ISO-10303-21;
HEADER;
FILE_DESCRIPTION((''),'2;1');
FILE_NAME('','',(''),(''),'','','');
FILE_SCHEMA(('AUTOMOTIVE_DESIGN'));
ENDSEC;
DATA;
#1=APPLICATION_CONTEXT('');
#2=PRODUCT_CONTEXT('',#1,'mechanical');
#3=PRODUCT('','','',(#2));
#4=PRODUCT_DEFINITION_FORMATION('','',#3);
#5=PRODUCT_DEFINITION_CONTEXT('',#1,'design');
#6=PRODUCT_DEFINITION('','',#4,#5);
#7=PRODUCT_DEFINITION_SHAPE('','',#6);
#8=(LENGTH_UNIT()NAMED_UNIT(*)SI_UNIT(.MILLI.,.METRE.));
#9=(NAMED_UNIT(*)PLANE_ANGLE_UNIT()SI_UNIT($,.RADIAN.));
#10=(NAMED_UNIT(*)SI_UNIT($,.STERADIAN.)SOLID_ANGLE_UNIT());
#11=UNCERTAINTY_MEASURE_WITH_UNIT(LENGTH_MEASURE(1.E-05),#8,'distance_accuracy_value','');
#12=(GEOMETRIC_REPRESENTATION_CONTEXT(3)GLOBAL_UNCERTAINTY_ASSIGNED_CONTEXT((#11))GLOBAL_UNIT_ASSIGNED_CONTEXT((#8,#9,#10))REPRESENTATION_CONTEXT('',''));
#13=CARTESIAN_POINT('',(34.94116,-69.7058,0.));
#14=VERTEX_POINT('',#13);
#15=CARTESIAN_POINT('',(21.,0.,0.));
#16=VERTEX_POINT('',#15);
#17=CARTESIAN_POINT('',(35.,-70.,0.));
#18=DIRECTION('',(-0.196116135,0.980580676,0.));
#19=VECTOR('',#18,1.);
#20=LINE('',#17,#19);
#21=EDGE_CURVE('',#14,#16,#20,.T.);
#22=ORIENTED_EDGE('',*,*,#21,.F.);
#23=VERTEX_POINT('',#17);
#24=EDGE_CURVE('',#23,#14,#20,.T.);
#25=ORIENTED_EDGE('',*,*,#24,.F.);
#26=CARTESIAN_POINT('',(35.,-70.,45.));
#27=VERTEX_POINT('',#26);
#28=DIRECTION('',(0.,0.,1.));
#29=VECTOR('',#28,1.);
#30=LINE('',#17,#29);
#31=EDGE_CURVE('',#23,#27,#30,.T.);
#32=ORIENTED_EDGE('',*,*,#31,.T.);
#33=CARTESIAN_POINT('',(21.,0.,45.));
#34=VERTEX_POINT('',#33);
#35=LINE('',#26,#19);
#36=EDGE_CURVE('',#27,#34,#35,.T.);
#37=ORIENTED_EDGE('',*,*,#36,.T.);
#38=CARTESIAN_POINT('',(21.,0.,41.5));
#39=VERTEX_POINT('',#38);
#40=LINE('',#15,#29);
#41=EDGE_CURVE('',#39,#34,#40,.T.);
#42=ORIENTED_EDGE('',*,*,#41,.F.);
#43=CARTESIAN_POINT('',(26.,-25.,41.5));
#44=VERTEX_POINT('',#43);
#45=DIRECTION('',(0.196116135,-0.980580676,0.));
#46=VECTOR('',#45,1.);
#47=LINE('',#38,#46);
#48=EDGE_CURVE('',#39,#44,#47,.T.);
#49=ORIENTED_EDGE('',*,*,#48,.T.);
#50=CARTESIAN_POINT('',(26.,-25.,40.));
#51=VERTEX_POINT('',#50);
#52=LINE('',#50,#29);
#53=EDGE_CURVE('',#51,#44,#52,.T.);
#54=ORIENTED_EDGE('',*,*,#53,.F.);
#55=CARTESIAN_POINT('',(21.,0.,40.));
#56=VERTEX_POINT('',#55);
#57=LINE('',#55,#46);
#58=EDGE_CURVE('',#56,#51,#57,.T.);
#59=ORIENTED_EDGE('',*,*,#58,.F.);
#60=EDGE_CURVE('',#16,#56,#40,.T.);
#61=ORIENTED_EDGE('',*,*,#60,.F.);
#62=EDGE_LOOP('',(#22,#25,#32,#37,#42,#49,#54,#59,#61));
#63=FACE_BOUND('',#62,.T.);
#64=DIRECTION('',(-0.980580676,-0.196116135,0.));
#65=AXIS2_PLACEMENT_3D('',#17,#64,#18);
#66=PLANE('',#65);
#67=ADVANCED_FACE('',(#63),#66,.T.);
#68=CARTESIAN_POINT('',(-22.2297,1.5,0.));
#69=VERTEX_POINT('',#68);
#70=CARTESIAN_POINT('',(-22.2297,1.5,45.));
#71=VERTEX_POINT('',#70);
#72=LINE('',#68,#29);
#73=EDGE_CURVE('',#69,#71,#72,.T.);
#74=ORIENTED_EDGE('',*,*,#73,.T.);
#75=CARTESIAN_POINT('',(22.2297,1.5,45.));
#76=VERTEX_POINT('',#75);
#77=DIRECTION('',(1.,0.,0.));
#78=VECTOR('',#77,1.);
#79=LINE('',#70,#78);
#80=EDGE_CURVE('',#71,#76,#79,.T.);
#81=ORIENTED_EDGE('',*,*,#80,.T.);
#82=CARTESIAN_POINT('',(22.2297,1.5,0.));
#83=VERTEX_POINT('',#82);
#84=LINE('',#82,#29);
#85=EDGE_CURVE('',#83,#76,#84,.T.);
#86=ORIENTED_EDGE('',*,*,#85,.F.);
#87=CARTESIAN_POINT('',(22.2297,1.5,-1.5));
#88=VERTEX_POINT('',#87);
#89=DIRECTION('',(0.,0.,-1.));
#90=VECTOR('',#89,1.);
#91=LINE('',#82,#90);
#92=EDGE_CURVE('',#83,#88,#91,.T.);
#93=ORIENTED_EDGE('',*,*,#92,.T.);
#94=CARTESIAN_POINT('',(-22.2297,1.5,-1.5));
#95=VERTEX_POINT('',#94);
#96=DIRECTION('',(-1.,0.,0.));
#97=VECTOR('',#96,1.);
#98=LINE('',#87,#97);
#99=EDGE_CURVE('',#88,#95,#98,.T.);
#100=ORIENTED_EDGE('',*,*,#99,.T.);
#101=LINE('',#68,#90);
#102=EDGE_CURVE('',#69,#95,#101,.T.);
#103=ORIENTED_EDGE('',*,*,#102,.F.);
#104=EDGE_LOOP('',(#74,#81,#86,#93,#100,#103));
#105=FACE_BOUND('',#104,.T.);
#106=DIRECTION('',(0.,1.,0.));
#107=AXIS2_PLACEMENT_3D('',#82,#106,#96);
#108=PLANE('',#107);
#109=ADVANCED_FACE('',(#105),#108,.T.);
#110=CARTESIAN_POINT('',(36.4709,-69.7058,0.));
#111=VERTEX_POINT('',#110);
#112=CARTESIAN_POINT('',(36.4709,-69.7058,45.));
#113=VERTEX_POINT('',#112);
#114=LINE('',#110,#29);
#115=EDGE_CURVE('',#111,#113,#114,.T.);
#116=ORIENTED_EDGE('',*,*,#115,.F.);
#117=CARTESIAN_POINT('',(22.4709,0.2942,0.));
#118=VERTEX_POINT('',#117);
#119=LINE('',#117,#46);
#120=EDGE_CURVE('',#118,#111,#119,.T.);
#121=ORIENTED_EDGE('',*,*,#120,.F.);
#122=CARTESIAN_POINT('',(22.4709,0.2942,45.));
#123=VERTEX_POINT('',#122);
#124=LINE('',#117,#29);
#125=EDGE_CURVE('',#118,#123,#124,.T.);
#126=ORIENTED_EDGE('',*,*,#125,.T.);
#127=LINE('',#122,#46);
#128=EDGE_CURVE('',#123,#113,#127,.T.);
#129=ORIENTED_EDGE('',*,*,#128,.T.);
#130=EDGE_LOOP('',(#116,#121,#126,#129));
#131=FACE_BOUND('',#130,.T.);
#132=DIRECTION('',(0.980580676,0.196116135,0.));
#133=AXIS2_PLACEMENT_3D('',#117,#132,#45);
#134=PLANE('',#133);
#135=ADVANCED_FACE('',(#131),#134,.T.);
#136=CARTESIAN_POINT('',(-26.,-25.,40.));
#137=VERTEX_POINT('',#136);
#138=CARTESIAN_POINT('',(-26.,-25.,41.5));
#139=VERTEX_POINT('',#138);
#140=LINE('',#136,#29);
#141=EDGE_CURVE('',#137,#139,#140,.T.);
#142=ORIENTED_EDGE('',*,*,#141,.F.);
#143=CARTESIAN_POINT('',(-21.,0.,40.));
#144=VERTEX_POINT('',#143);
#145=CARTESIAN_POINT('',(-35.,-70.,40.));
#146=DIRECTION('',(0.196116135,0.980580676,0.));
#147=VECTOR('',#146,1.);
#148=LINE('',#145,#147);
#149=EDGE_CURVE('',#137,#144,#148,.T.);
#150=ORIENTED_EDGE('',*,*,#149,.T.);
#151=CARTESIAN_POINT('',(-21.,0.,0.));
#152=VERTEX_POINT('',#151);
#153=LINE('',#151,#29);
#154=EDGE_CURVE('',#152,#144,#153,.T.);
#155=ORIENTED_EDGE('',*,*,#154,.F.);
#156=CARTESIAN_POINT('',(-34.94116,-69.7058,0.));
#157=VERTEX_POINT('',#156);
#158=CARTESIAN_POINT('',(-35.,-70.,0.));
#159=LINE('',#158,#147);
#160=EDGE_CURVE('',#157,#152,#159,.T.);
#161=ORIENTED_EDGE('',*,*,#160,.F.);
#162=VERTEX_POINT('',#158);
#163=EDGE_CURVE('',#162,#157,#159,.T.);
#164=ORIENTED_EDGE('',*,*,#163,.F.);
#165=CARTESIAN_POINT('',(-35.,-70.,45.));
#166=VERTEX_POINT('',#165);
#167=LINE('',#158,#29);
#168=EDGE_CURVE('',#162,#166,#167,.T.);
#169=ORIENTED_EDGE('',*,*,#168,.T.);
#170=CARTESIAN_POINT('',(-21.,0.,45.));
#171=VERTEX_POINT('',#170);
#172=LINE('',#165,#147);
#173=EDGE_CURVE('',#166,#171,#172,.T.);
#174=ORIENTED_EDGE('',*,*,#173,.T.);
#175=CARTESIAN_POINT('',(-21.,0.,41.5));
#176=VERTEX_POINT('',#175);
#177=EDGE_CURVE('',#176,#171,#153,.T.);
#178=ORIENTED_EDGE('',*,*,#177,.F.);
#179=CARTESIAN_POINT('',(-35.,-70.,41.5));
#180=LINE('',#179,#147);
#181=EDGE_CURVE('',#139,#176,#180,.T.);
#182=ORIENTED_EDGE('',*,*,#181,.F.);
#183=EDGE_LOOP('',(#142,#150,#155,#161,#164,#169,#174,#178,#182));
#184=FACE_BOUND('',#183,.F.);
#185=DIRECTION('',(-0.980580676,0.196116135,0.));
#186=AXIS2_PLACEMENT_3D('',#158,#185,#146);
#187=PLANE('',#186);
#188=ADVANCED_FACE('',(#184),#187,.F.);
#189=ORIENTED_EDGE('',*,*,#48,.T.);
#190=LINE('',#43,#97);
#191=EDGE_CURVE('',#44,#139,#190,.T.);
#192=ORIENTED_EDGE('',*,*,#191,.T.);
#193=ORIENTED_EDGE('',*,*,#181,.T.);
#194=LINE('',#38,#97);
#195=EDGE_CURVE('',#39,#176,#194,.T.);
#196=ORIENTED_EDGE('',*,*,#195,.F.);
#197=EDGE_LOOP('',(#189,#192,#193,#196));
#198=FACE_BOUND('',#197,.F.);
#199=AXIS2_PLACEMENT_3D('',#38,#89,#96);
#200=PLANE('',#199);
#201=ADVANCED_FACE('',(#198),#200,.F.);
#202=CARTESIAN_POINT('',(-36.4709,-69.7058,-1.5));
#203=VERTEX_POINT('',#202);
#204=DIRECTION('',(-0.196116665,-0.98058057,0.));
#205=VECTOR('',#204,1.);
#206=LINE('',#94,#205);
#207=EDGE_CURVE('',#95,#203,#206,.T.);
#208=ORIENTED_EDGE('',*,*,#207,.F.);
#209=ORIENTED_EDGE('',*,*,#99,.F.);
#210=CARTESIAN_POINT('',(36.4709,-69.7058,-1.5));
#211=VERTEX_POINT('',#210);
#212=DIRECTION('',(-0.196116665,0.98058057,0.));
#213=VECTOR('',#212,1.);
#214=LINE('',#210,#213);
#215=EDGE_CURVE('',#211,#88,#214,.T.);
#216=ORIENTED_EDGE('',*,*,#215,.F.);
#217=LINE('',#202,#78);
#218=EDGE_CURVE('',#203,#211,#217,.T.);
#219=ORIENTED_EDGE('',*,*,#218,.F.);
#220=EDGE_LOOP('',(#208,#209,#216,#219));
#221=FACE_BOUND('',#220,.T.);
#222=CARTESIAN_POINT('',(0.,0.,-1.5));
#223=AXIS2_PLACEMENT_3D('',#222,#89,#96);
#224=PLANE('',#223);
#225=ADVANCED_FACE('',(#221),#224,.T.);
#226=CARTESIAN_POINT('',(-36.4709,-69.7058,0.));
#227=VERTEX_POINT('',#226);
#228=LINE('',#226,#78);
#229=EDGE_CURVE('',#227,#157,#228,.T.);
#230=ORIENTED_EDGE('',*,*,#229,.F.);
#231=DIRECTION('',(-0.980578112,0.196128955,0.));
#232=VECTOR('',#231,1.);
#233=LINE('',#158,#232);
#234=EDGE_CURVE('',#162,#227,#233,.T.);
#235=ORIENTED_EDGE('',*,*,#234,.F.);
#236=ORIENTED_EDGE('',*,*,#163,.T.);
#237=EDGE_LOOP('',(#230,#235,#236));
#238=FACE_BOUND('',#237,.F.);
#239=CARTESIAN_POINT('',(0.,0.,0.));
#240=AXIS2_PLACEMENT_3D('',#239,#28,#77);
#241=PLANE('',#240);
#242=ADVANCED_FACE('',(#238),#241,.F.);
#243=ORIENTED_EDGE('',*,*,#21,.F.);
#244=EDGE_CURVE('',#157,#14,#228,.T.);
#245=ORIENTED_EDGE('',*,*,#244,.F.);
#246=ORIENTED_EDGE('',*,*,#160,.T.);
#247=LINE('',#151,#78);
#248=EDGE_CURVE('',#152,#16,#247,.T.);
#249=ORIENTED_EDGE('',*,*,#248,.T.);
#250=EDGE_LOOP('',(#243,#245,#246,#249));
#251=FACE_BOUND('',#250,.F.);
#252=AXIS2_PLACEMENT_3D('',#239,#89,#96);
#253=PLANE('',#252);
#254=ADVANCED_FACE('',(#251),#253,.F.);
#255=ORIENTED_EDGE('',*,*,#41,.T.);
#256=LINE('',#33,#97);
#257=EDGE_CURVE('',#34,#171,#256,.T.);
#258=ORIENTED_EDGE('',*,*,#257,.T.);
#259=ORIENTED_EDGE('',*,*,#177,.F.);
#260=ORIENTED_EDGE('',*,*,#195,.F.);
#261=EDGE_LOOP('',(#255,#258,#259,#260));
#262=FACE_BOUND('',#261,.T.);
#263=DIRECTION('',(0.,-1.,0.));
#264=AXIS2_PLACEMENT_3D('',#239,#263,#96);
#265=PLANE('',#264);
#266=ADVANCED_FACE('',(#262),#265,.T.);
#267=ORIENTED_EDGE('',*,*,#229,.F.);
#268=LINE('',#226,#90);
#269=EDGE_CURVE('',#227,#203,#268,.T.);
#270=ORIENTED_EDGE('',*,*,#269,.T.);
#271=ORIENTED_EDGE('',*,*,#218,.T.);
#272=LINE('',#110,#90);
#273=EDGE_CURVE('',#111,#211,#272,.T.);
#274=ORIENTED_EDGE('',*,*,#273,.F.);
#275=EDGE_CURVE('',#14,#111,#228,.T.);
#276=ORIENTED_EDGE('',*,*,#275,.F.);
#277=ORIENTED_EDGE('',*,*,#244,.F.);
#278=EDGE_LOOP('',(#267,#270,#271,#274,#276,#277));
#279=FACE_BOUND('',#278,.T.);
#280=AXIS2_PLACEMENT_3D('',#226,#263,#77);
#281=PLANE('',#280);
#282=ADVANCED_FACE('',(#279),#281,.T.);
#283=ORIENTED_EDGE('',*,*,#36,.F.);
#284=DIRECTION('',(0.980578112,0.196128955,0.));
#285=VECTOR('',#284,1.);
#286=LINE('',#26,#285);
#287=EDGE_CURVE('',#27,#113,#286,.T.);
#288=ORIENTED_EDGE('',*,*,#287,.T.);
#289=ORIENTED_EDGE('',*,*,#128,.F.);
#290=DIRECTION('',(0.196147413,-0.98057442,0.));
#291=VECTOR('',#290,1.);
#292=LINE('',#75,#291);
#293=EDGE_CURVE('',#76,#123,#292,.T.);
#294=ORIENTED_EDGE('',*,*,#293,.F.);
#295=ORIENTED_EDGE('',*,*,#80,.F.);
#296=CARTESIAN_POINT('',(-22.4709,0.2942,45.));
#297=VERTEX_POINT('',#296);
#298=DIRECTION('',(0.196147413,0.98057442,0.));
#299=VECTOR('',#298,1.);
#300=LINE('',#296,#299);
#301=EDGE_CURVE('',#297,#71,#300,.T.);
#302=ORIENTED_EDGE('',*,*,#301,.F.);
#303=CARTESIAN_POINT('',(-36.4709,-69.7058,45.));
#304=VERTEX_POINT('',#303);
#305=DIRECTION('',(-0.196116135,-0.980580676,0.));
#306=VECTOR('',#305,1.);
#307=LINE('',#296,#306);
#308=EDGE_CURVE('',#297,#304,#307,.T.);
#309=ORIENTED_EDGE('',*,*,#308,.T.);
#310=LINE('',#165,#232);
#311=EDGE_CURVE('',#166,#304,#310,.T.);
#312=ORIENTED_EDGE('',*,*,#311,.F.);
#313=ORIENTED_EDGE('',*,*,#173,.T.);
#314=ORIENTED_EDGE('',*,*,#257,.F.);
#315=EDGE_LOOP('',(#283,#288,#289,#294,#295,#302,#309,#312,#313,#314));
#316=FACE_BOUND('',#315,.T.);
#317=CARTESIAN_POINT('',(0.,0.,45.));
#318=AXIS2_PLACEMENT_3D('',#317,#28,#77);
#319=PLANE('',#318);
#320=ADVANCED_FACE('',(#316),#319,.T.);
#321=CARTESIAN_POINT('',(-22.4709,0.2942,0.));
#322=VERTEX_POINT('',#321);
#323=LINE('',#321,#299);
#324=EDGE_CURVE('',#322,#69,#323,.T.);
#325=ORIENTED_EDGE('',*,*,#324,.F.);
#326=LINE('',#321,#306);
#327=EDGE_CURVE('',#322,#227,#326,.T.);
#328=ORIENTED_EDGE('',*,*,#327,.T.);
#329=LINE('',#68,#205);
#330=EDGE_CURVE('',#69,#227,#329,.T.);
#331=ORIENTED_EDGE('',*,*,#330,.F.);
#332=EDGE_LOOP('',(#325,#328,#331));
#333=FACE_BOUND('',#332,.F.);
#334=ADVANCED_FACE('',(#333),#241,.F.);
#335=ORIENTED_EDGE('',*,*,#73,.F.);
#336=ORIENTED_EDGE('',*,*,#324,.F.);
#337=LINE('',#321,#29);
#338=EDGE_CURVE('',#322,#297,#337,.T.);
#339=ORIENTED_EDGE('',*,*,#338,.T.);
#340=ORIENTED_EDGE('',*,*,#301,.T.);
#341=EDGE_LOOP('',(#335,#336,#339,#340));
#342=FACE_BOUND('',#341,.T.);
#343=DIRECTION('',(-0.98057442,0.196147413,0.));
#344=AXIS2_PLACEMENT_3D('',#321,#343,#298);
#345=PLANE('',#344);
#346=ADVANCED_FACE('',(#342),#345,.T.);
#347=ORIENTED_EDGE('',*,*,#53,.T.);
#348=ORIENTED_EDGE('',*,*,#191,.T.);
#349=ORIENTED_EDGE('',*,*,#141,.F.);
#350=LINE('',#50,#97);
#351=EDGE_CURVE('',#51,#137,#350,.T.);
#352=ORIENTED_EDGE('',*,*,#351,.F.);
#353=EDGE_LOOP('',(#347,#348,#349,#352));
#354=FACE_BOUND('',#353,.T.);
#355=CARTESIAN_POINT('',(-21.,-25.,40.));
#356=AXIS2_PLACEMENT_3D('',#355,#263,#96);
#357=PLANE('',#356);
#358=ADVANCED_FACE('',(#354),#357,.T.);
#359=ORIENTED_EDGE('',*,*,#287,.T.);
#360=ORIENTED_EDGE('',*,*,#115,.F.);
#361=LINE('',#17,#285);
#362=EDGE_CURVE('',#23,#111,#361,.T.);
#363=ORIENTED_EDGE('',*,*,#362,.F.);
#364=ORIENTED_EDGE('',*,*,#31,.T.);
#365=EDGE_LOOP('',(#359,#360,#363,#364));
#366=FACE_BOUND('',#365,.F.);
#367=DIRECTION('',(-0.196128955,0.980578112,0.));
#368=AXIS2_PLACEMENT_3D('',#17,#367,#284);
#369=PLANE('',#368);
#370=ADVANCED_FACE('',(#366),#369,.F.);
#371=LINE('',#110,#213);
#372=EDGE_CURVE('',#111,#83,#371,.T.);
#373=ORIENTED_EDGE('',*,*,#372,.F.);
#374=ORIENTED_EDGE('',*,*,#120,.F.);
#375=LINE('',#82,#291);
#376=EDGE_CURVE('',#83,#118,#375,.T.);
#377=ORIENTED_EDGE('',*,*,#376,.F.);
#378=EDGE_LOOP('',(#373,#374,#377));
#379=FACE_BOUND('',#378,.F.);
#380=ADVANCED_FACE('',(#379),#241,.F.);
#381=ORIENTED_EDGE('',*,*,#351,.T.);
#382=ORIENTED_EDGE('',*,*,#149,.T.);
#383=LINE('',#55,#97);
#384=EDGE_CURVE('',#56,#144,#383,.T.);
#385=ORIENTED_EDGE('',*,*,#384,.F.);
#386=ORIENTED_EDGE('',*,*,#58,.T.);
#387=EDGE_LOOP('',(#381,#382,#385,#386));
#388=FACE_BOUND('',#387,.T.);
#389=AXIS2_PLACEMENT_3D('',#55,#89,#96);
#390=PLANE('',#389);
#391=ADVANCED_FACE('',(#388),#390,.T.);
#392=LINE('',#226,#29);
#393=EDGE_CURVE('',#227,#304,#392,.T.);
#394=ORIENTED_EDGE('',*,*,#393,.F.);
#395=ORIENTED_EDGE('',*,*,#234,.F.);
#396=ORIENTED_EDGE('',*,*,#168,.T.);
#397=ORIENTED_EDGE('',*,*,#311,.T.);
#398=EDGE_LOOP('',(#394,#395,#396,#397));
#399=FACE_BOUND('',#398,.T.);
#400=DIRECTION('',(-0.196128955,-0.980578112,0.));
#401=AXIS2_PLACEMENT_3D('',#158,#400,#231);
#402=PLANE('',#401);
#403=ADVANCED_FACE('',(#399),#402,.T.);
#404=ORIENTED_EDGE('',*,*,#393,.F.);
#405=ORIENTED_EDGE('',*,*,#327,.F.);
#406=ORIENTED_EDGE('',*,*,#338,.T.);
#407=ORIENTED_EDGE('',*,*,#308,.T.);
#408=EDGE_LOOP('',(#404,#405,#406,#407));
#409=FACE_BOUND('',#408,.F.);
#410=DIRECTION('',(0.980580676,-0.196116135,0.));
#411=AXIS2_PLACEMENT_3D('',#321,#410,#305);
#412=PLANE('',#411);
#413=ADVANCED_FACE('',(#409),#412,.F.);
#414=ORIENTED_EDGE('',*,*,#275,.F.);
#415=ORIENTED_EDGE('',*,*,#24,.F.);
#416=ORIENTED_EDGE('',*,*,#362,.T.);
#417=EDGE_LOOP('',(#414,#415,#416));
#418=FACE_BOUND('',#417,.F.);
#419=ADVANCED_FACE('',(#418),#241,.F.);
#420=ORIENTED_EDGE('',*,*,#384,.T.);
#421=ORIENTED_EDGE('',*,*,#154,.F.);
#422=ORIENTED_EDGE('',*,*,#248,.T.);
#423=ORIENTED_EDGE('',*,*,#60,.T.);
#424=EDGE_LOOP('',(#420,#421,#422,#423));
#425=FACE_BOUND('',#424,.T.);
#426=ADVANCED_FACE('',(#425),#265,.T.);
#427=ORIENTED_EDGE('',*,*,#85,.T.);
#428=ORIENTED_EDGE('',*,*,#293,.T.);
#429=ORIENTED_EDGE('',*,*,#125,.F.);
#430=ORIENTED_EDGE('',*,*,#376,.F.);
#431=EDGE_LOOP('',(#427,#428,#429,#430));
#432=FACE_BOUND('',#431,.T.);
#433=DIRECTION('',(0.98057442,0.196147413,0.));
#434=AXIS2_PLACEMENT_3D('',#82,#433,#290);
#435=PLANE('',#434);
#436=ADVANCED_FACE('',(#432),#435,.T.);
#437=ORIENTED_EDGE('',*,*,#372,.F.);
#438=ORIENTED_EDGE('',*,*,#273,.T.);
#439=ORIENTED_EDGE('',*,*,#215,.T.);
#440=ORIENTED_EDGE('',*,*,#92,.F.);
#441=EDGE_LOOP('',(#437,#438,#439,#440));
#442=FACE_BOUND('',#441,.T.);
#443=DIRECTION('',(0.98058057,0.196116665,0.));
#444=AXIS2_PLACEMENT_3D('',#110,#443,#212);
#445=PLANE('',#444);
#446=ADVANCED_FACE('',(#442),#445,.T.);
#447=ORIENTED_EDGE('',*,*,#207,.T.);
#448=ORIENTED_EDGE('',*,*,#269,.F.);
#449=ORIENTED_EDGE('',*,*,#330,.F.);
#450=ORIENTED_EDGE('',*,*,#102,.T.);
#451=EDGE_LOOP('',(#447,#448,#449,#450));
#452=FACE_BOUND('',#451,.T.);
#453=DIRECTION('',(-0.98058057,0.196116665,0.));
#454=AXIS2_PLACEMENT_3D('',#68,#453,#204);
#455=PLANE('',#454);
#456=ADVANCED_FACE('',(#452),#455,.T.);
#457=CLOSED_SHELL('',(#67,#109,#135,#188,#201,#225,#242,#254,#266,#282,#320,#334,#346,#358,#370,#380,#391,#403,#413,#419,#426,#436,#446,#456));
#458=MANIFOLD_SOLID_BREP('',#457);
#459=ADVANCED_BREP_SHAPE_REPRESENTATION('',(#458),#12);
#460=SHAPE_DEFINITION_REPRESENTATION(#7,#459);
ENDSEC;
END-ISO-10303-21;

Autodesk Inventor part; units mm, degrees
ref_plane "YZ Plane" through (0, 0, 0) normal (1, 0, 0) x (0, 1, 0)
ref_plane "XZ Plane" through (0, 0, 0) normal (0, 1, 0) x (-1, 0, 0)
sketch "Sketch1" plane through (0, 0, 0) normal (0, 0, 1) x (1, 0, 0)
  point P0 (0, 0)
sketch "Sketch2" plane through (0, 0, 0) normal (0, 0, 1) x (1, 0, 0)
  line L0 (0, 0) -> (-21, 0)
  line L1 (0, 0) -> (21, 0)
  line L2 (21, -70) -> (-21, -70)
  line L3 (-21, -70) -> (-35, -70)
  line L4 (-35, -70) -> (-21, 0)
  line L5 (21, -70) -> (35, -70)
  line L6 (35, -70) -> (21, 0)
  line L7 (-35, -70) -> (-36.4709, -69.7058)
  line L8 (-22.4709, 0.2942) -> (-36.4709, -69.7058)
  line L9 (-22.4709, 0.2942) -> (-22.2297, 1.5)
  line L10 (35, -70) -> (36.4709, -69.7058)
  line L11 (22.4709, 0.2942) -> (36.4709, -69.7058)
  line L12 (-22.2297, 1.5) -> (22.2297, 1.5)
  line L13 (22.2297, 1.5) -> (22.4709, 0.2942)
  dimension "d3" = 21
  dimension "d4" = 21
  dimension "d5" = 70
  dimension "d6" = 14
  dimension "d7" = 14
  dimension "d24" = 1.5
  dimension "d25" = 1.5
  dimension "d26" = 1.5
extrude "Extrusion1" add sketch "Sketch2" along normal blind 45 contours L0 L4 L7 L8 L9 L12 L13 L11 L10 L6 L1
sketch "Sketch3" plane through (-21, 0, 0) normal (0, -1, 0) x (1, 0, 0)
  point P0 (21, 0)
sketch "Sketch5" plane through (-21, 0, 0) normal (0, -1, 0) x (1, 0, 0)
  line L0 (0, 45) -> (42, 45) projected
  line L1 (19.4909, 45) -> (14.4909, 45)
  line L2 (24.3761, 45) -> (24.3761, 40)
  line L3 (24.3761, 40) -> (42, 40)
  line L4 (42, 40) -> (0, 40)
  point P0 (21, 0)
  dimension "d16" = 5
  dimension "d17" = 5
sketch "Sketch6" plane through (-21, 0, 0) normal (0, -1, 0) x (1, 0, 0)
  point P0 (21, 0)
ref_plane "Work Plane6" through (21, 0, 40) normal (0, 0, -1) x (-1, 0, 0)
sketch "Sketch7" plane through (21, 0, 40) normal (0, 0, -1) x (-1, 0, 0)
  line L0 (42, 0) -> (0, 0) projected
  line L1 (0, 0) -> (42, 0)
  line L2 (42, -25) -> (47, -25)
  line L3 (56, -70) -> (42, 0) projected
  line L4 (42, -25) -> (-5, -25)
  line L5 (0, 0) -> (-14, -70) projected
  line L6 (0, 0) -> (-5, -25)
  line L7 (47, -25) -> (42, 0)
  line L8 (44.0495, 2.5) -> (58.4515, -69.5097) projected
  line L9 (47, -25) -> (42, -25)
  point P0 (21, 0)
  dimension "d19" = 25
extrude "Extrusion3" add sketch "Sketch7" against normal blind 1.5
sketch "Sketch8" plane through (0, 0, 0) normal (0, 0, -1) x (-1, 0, 0)
  point P0 (0, 0)
sketch "Sketch9" plane through (0, 0, 0) normal (0, 0, -1) x (-1, 0, 0)
  line L0 (-36.4709, -69.7058) -> (-22.2297, 1.5) projected
  line L1 (36.4709, -69.7058) -> (-36.4709, -69.7058)
  line L2 (-36.4709, -69.7058) -> (-22.2297, 1.5)
  line L3 (-22.2297, 1.5) -> (22.2297, 1.5)
  line L4 (22.2297, 1.5) -> (36.4709, -69.7058) projected
  line L5 (22.2297, 1.5) -> (36.4709, -69.7058)
  line L6 (22.2297, 1.5) -> (36.4709, -69.7058) projected
  line L7 (36.4709, -69.7058) -> (36.4709, -69.7058)
  point P0 (0, 0)
extrude "Extrusion4" add sketch "Sketch9" along normal blind 1.5
properties part number "Modulo"
